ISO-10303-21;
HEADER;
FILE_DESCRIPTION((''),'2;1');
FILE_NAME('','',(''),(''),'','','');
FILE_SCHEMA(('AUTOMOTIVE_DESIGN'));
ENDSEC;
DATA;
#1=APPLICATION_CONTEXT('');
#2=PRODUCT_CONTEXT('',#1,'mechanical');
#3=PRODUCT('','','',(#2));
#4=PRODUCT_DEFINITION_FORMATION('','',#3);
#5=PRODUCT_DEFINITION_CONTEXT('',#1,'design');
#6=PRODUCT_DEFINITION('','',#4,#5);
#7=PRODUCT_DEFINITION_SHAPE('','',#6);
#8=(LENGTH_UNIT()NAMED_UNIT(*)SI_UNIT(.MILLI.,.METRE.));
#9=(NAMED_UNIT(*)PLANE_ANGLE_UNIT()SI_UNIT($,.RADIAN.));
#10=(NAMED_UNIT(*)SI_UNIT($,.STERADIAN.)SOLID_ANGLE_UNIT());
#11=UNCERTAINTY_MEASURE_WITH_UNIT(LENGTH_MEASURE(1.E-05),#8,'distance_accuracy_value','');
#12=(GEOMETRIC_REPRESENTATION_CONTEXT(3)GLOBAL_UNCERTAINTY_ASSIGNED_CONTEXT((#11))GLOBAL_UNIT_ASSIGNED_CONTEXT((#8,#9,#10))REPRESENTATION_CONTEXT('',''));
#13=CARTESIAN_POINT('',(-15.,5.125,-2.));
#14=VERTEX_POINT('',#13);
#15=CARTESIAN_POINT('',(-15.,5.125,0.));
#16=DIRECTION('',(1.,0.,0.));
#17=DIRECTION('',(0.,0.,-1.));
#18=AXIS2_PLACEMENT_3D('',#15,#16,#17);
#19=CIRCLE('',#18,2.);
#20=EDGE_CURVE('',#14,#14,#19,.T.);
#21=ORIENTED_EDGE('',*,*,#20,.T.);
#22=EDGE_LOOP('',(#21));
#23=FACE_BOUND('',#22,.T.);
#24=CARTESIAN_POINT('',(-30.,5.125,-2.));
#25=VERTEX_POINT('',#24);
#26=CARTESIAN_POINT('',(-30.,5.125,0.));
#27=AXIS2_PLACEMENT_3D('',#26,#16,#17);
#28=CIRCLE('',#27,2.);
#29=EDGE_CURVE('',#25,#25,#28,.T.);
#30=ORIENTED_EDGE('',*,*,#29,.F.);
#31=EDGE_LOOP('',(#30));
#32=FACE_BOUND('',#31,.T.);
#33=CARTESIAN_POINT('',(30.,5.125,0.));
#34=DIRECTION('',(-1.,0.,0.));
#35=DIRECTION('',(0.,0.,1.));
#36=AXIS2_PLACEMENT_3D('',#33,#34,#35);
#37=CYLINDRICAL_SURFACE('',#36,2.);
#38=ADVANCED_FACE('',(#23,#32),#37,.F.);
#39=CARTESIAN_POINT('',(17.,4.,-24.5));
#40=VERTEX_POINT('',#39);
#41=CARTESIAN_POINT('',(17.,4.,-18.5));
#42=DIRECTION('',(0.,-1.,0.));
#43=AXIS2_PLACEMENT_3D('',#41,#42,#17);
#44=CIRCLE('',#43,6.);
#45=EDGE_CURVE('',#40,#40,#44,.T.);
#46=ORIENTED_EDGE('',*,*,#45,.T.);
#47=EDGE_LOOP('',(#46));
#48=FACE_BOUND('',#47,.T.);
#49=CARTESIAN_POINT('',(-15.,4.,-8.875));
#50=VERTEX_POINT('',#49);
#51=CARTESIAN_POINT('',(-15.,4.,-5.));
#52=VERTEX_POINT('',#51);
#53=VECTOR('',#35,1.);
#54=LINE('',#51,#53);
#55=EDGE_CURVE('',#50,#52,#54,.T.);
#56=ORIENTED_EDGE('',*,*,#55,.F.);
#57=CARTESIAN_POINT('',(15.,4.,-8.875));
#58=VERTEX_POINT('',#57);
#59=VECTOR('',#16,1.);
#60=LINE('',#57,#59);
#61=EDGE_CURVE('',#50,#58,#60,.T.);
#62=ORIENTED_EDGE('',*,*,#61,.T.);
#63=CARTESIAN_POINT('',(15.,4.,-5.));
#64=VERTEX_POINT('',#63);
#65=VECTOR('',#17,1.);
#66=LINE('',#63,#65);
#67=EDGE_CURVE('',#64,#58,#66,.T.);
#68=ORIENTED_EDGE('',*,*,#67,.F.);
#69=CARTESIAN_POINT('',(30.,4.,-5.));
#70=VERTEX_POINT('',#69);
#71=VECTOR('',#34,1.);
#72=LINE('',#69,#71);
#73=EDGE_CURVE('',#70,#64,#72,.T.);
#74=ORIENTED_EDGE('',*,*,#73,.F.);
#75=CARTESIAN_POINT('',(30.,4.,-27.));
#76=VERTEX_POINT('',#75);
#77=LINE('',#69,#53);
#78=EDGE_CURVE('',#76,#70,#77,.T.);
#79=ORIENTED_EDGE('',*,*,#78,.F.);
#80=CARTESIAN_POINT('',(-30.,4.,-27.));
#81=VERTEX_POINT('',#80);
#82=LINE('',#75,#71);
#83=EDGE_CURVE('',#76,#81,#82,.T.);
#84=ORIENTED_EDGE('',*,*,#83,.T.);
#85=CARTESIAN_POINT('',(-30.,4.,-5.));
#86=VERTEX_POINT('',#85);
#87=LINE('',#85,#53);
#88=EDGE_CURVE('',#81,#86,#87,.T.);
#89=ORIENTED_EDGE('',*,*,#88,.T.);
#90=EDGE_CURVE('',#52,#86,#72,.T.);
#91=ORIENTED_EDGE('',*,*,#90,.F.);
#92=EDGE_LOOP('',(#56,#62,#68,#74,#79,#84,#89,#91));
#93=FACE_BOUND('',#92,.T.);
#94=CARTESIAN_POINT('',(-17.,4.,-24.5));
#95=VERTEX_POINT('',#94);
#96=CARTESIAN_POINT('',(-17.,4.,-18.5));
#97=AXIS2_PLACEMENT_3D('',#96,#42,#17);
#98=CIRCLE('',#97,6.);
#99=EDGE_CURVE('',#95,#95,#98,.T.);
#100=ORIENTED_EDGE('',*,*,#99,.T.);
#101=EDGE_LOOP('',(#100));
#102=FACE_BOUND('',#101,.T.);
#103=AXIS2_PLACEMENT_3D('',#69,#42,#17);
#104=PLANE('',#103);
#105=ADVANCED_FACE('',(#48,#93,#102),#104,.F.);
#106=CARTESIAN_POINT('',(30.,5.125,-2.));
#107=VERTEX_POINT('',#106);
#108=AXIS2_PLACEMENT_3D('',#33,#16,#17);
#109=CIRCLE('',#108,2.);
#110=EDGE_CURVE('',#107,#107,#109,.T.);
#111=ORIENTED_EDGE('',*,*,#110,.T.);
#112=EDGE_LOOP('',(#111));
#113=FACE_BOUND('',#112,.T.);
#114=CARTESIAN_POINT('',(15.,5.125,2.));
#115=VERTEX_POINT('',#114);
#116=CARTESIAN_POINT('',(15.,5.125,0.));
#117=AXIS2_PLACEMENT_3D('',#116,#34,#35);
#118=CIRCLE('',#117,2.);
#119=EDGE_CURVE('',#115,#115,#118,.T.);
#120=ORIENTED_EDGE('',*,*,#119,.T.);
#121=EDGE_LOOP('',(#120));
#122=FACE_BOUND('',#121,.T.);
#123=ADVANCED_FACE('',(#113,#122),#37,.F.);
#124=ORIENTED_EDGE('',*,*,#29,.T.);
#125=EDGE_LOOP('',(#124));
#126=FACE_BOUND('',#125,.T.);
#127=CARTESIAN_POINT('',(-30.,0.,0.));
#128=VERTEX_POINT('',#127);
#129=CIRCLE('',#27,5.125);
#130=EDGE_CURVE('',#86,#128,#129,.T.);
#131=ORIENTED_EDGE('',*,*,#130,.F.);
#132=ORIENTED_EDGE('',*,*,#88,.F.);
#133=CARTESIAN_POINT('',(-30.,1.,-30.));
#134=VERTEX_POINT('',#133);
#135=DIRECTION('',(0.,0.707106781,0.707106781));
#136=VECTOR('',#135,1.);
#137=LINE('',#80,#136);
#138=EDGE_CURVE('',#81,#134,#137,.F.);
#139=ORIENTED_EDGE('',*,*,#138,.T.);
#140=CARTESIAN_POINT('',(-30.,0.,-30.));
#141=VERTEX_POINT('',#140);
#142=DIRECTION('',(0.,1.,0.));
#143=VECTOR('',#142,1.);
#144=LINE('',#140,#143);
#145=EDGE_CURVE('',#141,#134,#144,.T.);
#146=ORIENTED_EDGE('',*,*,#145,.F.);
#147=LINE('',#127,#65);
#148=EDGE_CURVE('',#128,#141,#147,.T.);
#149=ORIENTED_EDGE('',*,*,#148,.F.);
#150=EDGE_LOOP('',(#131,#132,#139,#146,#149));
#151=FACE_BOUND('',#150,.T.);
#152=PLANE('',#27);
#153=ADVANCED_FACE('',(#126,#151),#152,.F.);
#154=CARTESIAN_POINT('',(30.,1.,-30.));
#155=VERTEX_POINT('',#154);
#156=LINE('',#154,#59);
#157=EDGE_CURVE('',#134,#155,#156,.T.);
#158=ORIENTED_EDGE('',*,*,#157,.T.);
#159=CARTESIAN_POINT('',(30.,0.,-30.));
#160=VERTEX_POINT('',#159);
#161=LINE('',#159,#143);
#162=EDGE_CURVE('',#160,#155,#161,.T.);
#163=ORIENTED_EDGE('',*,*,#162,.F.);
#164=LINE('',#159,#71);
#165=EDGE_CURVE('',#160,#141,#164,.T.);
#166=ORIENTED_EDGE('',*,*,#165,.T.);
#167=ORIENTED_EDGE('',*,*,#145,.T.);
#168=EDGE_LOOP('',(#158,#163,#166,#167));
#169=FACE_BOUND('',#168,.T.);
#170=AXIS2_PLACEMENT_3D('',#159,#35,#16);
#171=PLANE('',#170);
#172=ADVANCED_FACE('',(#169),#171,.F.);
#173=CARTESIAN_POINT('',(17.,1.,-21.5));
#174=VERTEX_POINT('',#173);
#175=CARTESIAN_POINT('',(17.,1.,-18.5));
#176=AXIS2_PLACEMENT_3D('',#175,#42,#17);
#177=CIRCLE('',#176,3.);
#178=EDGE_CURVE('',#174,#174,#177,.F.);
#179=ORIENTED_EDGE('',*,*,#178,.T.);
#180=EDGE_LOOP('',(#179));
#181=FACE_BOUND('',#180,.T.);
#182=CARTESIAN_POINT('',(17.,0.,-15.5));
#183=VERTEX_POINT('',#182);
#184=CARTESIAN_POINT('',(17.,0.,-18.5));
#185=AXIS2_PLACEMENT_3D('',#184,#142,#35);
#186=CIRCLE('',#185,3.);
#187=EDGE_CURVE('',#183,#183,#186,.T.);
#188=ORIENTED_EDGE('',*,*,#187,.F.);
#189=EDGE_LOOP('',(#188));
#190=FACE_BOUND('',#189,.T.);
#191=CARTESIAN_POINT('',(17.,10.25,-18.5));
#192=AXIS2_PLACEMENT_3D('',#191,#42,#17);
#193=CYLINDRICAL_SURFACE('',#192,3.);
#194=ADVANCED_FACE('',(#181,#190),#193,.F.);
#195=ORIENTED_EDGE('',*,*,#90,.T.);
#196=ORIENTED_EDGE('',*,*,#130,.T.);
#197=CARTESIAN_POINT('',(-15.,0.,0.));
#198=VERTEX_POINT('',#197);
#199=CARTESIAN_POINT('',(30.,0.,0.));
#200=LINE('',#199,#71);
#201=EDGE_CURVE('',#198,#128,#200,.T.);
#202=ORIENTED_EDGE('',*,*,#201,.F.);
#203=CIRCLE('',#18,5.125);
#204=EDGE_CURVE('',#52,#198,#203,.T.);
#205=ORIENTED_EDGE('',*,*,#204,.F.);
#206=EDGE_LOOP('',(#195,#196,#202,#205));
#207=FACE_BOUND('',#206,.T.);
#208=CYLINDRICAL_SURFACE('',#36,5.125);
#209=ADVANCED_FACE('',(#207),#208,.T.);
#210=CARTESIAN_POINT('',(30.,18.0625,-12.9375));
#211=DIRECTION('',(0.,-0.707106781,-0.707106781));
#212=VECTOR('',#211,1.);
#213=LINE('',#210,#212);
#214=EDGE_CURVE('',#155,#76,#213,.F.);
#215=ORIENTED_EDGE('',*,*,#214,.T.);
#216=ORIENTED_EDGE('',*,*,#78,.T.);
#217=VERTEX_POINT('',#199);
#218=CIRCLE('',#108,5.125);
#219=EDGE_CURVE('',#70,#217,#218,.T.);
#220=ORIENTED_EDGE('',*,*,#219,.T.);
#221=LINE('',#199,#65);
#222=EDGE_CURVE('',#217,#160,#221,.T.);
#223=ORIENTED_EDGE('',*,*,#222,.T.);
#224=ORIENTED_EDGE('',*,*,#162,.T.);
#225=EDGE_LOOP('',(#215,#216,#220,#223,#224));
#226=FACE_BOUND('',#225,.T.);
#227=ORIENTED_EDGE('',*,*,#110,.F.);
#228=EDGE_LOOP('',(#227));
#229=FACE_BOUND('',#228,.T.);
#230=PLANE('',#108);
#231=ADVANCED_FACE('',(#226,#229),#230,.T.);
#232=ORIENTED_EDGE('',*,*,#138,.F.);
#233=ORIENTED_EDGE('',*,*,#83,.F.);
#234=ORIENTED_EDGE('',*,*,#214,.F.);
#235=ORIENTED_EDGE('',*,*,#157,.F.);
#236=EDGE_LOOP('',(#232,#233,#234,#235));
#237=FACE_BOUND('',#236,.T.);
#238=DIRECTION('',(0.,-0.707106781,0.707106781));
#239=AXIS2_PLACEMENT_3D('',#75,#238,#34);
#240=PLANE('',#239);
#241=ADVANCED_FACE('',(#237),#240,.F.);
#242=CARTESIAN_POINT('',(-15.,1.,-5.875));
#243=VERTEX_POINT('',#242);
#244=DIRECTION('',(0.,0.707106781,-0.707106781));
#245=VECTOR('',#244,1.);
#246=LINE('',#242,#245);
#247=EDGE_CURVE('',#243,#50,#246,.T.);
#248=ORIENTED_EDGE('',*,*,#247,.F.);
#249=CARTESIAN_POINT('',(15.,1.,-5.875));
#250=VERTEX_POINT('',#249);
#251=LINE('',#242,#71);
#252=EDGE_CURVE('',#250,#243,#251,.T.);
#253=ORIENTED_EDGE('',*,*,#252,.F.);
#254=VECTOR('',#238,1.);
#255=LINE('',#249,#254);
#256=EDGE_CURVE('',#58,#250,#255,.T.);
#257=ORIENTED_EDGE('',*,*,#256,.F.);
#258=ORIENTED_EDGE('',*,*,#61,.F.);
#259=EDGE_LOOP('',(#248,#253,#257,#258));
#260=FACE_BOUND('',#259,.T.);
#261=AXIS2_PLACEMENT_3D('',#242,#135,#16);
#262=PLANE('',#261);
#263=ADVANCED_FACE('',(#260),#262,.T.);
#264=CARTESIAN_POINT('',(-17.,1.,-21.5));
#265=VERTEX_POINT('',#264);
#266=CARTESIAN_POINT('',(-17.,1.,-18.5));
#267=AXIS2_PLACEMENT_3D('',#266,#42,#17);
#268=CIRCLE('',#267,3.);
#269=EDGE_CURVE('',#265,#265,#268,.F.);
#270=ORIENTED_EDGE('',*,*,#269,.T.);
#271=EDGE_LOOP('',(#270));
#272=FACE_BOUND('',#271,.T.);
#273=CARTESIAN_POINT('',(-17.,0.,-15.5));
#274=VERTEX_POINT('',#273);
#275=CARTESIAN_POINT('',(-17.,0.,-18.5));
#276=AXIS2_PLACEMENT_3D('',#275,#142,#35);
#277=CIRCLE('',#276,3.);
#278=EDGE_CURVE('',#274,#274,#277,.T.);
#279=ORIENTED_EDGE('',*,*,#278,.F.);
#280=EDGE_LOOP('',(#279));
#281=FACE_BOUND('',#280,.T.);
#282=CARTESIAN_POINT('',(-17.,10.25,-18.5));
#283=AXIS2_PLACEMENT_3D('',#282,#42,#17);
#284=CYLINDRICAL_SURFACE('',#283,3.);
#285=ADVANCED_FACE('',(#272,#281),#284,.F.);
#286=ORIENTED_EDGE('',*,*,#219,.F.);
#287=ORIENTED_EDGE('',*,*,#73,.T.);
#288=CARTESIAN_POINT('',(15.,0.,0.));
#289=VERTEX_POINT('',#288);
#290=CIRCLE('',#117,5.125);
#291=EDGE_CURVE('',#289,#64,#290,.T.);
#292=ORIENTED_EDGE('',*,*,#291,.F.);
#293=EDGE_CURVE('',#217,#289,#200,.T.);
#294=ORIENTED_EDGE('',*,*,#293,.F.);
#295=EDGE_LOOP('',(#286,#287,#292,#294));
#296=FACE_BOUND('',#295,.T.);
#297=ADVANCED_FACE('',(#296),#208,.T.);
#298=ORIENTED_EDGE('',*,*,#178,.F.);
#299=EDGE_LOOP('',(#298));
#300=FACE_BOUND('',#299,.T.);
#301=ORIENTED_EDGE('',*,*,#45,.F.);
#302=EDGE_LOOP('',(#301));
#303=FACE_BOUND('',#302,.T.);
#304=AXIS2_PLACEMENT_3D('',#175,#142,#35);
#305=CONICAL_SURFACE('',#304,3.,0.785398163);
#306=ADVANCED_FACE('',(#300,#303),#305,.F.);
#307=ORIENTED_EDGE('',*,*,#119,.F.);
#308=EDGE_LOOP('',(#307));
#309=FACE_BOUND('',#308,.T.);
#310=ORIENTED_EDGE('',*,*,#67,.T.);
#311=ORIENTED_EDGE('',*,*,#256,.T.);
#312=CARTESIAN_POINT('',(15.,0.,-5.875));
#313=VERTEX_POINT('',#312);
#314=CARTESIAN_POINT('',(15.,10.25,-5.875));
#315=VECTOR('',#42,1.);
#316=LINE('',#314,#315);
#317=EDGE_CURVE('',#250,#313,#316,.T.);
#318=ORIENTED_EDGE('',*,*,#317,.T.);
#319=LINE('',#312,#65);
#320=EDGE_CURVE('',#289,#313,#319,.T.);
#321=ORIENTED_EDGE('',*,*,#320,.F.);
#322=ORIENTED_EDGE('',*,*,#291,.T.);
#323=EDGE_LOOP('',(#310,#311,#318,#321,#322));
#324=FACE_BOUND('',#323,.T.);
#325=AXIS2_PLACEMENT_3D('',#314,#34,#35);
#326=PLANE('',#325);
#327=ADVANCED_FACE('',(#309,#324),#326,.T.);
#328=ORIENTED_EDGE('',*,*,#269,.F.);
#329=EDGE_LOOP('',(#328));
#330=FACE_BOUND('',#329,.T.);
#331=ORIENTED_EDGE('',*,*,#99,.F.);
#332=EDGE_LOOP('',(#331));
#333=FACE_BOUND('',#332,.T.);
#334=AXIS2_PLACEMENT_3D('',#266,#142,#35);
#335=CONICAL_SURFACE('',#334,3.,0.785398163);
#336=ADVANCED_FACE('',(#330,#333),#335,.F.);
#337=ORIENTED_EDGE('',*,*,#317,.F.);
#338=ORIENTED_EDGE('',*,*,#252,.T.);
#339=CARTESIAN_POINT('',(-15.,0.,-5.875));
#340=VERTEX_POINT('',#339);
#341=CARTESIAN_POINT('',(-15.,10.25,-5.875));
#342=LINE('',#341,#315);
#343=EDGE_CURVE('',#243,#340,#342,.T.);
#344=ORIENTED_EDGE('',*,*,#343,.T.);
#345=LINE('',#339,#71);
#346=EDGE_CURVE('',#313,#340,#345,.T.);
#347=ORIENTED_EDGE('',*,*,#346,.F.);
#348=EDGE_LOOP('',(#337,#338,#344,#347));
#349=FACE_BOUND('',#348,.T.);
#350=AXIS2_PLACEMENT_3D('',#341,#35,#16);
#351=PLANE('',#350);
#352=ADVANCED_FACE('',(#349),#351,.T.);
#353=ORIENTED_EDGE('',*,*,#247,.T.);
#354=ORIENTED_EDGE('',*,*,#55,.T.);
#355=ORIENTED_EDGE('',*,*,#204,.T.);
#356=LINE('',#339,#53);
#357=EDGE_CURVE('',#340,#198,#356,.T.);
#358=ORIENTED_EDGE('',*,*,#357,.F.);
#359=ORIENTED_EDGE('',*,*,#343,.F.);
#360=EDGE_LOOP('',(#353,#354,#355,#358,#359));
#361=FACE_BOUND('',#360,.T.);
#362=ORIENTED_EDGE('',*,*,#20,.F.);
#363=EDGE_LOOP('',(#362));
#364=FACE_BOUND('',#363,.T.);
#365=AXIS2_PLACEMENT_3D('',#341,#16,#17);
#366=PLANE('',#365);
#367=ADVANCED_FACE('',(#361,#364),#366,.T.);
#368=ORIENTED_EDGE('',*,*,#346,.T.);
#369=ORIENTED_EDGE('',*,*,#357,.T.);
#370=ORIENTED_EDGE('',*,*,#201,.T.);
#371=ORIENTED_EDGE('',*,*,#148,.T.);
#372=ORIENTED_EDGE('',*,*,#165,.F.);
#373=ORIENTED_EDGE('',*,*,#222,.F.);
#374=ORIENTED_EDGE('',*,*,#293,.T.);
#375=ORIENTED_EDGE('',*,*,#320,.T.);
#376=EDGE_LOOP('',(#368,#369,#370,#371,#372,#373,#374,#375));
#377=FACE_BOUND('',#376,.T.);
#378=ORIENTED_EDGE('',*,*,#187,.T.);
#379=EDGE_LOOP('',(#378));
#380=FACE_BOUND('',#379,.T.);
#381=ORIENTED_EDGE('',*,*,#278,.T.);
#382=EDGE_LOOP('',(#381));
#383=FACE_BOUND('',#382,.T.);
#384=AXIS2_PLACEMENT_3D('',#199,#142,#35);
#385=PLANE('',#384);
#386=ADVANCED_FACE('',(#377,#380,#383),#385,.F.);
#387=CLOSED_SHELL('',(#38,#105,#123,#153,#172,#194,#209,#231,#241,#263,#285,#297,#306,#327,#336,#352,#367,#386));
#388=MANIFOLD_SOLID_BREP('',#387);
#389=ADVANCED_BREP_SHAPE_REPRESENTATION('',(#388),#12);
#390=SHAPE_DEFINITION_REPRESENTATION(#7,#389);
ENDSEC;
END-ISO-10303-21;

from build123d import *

# Parameters (mm, degrees)
SKETCH_1_R          = 2
EXTRUDE_1_DEPTH     = 30
SKETCH_2_R          = 3
SKETCH_2_W          = 30
SKETCH_2_H          = 11
CUT_EXTRUDE_1_DEPTH = 44.647021662
CHAMFER_1_SIZE      = 3


with BuildPart() as part:
    # 草图1 → 凸台-拉伸1 (new, symmetric)
    with BuildSketch(Plane(origin=(0, 0, 0), x_dir=(0, 0, -1), z_dir=(1, 0, 0))):
        with BuildLine():
            Line((0, 0), (30, 0))
            Line((30, 0), (30, 4))
            Line((30, 4), (5, 4))
            ThreePointArc((5, 4), (-3.201562119, 9.126952648), (0, 0))
        make_face()
        with Locations((0, 5.125)):
            Circle(SKETCH_1_R, mode=Mode.SUBTRACT)
    extrude(amount=EXTRUDE_1_DEPTH, both=True)

    # 草图2 → 切除-拉伸1 (cut, through all)
    with BuildSketch(Plane(origin=(0, 0, 0), x_dir=(1, 0, 0), z_dir=(0, 1, 0))):
        with Locations(Location((-17, 18.5, 0), (0, 0, 90))):
            Circle(SKETCH_2_R)
        with Locations(Location((17, 18.5, 0), (0, 0, 90))):
            Circle(SKETCH_2_R)
        with Locations((0, 0.375)):
            Rectangle(SKETCH_2_W, SKETCH_2_H)
    extrude(amount=CUT_EXTRUDE_1_DEPTH, mode=Mode.SUBTRACT)

    # 倒角1
    chamfer_1_edges = [part.edges().sort_by_distance(p)[0] for p in [
        (0, 4, -5.875),
        (17, 4, -15.5),
        (-17, 4, -15.5),
        (0, 4, -30),
    ]]
    chamfer(chamfer_1_edges, length=CHAMFER_1_SIZE)


solid = part.part
